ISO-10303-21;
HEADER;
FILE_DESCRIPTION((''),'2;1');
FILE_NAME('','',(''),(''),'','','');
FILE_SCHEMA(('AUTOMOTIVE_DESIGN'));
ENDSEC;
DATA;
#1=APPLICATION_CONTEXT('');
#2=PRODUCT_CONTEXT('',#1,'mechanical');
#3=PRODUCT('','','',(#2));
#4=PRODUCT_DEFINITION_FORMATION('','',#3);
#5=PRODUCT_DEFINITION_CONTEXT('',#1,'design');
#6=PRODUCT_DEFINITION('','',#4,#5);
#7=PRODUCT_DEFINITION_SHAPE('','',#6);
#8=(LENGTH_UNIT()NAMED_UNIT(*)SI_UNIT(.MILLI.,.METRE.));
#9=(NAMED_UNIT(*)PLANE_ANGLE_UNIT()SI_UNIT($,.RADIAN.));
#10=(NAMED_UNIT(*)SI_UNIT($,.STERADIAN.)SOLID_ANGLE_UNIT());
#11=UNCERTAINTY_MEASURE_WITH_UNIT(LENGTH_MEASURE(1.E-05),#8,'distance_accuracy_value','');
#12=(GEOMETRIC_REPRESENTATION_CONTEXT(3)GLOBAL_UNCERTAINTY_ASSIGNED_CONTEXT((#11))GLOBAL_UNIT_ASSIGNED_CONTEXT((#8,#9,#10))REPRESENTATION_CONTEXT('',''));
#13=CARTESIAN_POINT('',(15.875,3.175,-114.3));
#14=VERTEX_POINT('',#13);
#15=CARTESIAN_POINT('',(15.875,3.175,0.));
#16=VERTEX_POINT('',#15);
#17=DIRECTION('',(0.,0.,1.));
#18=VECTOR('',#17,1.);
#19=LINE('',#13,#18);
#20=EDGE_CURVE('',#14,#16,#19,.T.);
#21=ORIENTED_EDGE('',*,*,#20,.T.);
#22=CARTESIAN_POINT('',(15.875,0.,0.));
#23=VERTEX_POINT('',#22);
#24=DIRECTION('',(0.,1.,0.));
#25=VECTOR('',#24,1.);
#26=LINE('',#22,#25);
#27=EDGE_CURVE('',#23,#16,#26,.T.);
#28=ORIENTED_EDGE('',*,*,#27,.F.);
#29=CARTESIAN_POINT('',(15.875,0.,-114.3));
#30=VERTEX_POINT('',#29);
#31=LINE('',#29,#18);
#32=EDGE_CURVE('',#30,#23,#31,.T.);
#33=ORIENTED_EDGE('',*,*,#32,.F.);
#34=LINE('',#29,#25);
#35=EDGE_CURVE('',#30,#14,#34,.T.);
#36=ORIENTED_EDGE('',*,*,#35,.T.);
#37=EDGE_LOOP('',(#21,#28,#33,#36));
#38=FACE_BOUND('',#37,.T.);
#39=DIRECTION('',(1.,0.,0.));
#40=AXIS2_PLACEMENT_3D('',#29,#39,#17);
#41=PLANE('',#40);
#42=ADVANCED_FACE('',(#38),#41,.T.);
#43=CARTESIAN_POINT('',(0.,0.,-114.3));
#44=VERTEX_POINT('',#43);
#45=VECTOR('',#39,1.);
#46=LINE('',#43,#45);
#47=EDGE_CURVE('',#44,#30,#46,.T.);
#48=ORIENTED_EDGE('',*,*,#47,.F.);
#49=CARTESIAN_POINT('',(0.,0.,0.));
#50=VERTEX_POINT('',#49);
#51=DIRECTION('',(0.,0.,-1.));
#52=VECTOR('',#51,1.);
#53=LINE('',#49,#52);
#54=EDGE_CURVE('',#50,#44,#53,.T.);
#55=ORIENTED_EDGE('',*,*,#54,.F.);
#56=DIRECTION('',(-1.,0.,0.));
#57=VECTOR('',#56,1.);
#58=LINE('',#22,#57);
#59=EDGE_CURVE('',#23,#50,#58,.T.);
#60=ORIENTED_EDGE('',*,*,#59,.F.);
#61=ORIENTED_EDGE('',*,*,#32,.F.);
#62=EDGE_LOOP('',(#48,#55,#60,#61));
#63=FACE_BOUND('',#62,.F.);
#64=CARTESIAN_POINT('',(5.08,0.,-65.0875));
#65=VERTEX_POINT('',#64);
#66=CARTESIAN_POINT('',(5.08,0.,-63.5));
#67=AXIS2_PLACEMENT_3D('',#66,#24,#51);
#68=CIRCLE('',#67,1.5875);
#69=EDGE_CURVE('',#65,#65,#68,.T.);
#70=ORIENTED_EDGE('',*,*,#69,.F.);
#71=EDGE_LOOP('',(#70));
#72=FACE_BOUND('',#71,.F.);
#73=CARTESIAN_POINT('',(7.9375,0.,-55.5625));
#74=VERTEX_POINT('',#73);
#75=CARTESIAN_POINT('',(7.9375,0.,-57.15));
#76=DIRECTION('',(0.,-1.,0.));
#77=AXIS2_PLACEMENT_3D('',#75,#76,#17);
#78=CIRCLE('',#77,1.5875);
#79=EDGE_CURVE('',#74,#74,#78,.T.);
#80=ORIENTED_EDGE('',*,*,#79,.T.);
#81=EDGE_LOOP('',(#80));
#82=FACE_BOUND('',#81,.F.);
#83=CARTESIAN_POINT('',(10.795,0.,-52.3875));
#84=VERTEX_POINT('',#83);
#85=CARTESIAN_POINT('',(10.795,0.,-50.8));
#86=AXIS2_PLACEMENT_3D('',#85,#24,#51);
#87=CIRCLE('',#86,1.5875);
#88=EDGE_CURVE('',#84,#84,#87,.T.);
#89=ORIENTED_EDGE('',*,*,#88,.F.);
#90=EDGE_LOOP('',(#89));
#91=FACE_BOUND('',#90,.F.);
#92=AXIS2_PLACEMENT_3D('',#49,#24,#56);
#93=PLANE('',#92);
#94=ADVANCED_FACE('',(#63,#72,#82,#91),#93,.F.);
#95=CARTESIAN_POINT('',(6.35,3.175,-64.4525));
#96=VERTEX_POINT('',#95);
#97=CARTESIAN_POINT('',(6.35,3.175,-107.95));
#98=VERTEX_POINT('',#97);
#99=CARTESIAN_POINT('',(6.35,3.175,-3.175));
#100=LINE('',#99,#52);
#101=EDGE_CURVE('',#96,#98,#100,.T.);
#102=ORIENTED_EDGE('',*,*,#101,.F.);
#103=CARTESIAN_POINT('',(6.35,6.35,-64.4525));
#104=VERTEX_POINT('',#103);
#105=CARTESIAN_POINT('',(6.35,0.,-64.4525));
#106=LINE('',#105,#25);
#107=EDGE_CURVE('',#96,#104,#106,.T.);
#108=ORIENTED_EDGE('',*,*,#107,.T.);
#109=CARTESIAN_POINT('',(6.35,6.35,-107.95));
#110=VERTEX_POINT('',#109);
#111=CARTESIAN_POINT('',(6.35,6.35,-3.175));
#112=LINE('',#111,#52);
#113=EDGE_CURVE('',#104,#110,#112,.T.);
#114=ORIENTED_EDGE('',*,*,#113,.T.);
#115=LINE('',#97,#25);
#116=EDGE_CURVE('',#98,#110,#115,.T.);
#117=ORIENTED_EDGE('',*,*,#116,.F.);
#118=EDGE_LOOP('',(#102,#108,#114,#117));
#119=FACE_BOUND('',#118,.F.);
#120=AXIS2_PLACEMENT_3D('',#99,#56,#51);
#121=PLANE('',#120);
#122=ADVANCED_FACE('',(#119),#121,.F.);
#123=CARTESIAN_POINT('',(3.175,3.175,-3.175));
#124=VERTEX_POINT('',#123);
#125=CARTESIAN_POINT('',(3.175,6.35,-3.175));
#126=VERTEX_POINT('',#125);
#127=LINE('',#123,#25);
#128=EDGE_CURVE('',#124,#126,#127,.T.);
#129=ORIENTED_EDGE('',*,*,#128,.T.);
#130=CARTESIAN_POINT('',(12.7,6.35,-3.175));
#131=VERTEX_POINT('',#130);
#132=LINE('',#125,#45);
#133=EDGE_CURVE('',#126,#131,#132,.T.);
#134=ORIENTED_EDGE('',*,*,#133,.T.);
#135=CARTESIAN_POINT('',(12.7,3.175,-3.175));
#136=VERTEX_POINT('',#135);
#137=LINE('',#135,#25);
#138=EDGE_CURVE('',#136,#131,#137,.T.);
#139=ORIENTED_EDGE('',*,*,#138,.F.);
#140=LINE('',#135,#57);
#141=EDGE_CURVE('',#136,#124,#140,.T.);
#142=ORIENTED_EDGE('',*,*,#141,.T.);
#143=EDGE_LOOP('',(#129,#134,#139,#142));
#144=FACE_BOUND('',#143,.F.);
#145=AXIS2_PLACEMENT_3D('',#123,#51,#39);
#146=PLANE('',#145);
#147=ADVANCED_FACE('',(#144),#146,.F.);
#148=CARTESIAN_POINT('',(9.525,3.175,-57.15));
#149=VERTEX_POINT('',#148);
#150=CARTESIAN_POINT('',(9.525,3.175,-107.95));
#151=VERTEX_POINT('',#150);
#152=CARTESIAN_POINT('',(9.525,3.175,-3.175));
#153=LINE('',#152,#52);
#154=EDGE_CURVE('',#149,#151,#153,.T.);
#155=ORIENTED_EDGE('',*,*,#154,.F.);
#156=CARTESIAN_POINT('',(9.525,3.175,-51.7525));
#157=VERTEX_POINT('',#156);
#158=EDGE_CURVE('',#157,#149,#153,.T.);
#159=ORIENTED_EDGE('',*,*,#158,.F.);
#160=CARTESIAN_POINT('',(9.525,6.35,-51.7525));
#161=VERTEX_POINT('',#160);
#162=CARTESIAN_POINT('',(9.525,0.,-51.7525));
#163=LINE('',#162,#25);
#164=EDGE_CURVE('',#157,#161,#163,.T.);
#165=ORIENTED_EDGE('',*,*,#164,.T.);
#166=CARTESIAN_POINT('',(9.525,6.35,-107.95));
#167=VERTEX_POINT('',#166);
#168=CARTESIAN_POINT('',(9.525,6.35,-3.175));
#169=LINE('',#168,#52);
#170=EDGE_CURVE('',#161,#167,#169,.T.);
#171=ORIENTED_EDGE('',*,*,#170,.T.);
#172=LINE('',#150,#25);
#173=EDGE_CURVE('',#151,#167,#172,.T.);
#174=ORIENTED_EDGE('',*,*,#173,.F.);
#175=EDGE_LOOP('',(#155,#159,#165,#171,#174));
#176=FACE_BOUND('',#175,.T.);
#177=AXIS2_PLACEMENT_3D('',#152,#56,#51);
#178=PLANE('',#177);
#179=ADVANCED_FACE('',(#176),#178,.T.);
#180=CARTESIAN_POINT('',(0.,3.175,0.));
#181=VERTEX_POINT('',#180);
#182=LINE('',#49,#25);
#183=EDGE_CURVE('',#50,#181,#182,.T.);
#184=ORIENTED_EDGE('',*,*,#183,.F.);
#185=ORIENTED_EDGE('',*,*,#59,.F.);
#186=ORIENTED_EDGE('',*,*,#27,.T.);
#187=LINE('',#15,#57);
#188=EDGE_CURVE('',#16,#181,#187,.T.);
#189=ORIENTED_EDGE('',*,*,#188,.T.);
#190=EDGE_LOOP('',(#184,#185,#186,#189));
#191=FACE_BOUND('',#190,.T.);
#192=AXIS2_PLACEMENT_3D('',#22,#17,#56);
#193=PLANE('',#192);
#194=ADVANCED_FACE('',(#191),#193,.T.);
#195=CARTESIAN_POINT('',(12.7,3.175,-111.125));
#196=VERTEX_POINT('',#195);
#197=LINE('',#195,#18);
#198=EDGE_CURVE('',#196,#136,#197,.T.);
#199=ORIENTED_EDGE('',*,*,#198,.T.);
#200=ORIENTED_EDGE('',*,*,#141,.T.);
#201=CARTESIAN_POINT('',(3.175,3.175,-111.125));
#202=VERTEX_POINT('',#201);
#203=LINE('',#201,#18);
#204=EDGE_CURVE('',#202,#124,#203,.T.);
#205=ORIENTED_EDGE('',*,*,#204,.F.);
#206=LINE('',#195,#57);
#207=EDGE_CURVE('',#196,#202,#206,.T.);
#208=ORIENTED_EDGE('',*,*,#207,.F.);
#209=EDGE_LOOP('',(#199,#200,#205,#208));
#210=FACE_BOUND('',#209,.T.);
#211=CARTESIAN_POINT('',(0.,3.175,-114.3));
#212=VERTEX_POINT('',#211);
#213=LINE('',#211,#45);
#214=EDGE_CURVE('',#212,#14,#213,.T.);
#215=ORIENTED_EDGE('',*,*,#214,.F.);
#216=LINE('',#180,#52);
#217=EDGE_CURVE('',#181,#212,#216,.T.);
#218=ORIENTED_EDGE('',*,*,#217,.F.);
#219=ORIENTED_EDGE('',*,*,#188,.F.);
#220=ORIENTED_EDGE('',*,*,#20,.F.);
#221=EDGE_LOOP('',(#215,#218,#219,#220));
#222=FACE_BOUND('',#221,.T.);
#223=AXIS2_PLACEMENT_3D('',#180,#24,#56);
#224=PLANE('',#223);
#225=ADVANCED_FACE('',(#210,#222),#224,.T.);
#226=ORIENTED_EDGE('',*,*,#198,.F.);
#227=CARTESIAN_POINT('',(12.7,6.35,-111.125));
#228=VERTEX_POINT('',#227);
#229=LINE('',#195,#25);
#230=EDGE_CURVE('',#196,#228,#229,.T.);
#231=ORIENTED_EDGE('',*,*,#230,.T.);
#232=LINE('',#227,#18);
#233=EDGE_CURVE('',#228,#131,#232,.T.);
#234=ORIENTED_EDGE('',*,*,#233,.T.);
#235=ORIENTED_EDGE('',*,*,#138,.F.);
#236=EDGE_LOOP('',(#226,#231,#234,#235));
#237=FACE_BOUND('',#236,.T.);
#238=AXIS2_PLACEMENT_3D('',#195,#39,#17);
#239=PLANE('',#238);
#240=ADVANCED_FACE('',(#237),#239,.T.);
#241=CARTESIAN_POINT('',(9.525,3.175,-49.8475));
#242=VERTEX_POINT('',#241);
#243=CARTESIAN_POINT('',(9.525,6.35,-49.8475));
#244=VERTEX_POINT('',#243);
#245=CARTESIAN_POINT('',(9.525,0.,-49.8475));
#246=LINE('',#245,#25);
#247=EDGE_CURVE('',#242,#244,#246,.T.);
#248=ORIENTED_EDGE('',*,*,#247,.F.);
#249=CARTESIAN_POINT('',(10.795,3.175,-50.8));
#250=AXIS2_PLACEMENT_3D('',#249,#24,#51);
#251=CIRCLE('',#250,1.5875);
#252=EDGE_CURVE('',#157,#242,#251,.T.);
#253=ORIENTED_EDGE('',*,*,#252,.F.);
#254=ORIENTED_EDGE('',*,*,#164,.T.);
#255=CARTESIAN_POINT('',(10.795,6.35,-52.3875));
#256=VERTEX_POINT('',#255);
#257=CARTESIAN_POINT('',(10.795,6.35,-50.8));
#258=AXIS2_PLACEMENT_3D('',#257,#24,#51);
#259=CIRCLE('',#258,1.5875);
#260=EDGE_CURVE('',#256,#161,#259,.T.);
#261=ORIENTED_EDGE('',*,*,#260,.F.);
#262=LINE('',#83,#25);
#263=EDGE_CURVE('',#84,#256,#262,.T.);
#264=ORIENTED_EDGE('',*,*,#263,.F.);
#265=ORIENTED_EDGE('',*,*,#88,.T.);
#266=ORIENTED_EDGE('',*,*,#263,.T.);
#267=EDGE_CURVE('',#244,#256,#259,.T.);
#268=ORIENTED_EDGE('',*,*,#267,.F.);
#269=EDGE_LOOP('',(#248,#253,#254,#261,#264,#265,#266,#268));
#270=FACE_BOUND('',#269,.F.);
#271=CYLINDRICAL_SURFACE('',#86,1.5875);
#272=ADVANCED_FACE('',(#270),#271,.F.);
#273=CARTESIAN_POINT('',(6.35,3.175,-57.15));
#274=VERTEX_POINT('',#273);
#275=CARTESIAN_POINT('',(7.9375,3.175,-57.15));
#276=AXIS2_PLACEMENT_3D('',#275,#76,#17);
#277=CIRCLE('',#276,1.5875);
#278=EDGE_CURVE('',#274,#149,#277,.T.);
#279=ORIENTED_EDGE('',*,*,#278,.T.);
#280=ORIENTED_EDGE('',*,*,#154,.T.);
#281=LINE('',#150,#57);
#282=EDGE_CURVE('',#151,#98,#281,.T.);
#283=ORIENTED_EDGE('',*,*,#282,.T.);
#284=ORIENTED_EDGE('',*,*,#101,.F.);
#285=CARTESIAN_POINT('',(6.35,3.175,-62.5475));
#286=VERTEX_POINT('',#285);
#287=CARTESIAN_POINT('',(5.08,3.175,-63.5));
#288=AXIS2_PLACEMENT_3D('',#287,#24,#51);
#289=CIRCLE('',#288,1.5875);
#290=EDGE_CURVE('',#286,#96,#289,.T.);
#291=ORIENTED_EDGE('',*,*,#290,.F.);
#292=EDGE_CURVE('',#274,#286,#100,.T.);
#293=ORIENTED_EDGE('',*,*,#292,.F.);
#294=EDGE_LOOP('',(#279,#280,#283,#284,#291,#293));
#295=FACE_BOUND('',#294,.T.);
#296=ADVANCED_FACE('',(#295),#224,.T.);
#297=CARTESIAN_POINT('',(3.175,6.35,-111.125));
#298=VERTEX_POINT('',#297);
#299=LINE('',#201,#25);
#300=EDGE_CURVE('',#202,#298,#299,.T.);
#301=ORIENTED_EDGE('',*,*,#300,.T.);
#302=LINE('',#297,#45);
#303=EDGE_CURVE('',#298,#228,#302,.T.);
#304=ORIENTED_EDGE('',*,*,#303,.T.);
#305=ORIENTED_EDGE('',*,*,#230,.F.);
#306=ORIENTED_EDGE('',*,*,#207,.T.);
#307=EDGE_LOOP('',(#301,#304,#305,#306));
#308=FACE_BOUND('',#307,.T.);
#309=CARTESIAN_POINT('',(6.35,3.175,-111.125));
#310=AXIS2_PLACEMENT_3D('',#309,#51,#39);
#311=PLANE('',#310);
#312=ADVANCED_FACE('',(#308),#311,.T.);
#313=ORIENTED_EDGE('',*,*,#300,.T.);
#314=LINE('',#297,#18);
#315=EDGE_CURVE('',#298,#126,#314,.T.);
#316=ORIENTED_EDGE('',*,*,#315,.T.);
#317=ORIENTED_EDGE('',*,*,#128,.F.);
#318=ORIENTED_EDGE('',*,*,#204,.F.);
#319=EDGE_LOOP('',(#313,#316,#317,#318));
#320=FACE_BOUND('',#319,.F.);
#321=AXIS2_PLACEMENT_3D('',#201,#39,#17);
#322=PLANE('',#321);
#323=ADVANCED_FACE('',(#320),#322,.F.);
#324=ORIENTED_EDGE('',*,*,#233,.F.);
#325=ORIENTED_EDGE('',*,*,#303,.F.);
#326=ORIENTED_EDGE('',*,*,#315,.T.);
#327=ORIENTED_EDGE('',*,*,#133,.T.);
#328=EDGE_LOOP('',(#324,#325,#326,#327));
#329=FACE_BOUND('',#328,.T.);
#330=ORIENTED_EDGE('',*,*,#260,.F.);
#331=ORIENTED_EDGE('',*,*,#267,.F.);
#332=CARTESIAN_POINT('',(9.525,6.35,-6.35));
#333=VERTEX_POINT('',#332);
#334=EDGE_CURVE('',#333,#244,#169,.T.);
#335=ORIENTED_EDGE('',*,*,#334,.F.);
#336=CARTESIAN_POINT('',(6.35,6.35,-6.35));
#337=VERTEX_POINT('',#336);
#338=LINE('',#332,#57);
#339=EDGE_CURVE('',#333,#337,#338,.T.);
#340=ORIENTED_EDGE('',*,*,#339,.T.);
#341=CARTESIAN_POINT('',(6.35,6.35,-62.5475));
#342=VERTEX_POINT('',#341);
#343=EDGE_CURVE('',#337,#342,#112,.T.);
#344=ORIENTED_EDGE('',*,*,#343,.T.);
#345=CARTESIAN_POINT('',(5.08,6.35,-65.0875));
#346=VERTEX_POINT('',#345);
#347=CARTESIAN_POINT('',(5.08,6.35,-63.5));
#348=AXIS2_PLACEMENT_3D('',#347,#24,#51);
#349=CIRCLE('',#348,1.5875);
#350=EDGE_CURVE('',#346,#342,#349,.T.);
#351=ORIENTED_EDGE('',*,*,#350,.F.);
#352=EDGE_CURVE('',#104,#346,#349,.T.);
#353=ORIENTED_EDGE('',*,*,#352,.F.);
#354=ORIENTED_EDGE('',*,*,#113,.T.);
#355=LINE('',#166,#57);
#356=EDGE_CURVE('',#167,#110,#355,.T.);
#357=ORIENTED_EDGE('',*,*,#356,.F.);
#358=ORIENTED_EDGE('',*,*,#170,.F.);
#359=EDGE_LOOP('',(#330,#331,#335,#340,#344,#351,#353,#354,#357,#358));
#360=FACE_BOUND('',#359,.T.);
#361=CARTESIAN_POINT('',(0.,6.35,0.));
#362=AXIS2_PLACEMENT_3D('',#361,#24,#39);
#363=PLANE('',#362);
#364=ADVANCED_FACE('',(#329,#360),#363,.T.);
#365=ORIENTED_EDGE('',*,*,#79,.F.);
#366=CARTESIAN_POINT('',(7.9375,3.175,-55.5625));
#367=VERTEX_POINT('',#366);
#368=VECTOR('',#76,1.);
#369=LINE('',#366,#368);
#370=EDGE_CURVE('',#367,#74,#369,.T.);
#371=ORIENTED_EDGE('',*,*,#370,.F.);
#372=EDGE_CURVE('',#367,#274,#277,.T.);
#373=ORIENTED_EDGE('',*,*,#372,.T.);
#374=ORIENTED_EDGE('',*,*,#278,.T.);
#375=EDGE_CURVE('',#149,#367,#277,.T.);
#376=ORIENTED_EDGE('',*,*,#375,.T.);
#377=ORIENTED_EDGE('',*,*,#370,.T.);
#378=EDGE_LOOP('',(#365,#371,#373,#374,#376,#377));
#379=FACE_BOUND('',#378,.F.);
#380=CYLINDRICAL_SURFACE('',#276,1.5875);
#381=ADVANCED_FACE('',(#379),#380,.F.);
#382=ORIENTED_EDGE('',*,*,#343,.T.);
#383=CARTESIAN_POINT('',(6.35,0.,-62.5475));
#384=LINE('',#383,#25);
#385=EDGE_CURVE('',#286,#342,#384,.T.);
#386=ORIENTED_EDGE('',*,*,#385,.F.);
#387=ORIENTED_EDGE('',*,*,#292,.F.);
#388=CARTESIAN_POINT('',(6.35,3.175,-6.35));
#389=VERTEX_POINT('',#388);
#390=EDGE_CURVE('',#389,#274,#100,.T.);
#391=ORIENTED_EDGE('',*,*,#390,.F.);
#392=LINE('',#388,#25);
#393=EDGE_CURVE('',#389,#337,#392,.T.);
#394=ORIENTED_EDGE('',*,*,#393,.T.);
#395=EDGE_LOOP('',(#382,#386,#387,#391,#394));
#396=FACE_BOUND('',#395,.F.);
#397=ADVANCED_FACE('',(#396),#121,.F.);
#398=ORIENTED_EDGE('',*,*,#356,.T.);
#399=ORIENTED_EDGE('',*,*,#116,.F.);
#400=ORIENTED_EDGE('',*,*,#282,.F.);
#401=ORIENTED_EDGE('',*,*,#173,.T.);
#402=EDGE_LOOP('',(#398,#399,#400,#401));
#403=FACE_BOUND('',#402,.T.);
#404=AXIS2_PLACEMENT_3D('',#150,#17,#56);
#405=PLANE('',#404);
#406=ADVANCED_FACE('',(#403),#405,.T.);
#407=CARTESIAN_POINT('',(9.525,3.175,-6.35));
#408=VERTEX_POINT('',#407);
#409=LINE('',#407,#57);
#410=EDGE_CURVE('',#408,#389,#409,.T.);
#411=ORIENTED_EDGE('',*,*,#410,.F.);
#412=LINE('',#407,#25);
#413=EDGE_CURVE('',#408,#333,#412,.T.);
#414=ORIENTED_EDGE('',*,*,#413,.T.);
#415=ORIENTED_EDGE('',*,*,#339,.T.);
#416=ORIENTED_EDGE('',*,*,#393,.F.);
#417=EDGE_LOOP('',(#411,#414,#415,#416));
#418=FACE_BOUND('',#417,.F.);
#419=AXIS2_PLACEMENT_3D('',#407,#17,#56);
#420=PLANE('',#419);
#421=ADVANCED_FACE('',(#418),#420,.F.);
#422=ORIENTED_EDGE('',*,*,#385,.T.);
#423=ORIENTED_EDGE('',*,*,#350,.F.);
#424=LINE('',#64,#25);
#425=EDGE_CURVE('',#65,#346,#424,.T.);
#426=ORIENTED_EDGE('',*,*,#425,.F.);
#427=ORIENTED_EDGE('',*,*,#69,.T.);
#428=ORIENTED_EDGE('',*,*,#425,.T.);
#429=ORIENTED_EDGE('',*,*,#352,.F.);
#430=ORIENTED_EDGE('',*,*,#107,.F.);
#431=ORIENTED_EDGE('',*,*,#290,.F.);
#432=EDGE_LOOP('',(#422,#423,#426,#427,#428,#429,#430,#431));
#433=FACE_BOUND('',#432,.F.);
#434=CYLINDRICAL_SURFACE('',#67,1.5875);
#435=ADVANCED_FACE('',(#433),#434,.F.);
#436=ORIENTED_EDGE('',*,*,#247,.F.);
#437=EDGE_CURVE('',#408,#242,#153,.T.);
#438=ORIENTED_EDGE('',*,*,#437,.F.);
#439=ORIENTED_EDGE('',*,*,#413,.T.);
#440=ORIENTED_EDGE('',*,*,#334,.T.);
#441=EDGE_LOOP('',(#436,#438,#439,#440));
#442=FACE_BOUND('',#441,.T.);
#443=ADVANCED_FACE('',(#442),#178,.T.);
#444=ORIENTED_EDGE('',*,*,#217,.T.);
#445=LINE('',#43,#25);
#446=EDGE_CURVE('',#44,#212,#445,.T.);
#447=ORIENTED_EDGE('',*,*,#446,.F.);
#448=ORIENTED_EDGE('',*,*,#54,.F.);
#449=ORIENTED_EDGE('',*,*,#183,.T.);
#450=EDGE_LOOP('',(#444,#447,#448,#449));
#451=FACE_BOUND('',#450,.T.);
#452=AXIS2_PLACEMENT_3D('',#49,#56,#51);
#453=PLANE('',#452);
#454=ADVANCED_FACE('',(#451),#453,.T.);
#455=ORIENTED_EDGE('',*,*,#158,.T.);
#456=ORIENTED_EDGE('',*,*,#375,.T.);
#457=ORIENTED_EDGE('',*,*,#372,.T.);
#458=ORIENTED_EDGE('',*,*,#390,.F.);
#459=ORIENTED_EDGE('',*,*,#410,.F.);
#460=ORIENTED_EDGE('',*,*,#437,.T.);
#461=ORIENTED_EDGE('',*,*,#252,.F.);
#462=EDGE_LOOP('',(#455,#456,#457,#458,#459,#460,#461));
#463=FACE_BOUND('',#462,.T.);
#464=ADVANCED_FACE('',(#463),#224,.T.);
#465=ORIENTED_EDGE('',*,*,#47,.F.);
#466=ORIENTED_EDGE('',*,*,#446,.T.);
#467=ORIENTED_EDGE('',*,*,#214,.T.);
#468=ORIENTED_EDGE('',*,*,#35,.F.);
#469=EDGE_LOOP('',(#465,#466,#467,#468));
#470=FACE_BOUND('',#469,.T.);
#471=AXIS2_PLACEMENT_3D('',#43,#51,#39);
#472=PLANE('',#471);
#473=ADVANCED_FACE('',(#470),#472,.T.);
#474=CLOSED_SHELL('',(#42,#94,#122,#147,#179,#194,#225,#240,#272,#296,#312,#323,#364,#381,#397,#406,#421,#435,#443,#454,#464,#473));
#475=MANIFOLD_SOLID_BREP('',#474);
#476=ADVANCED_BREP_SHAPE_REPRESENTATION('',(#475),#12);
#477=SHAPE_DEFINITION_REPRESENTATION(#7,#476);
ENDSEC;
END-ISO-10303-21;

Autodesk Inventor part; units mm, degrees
ref_plane "YZ Plane" through (0, 0, 0) normal (1, 0, 0) x (0, 1, 0)
ref_plane "XZ Plane" through (0, 0, 0) normal (0, 1, 0) x (-1, 0, 0)
ref_plane "XY Plane" through (0, 0, 0) normal (0, 0, 1) x (1, 0, 0)
sketch "Sketch1" plane through (0, 0, 0) normal (0, 1, 0) x (-1, 0, 0)
  line L0 (0, 0) -> (0, -114.3)
  line L1 (0, -114.3) -> (-15.875, -114.3)
  line L2 (-15.875, -114.3) -> (-15.875, 0)
  line L3 (-15.875, 0) -> (0, 0)
  dimension "d0" = 114.3
  dimension "d1" = 15.875
extrude "Extrusion1" add sketch "Sketch1" along normal blind 3.175
sketch "Sketch2" plane through (0, 3.175, 0) normal (0, 1, 0) x (1, 0, 0)
  line L0 (0, 0) -> (3.175, 0)
  line L1 (0, 0) -> (15.875, 0) projected
  line L2 (3.175, 0) -> (3.175, 3.175)
  line L3 (3.175, 3.175) -> (6.35, 3.175)
  line L4 (6.35, 3.175) -> (6.35, 111.125)
  line L5 (6.35, 111.125) -> (3.175, 111.125)
  line L6 (3.175, 111.125) -> (3.175, 3.175)
  line L7 (15.875, 0) -> (15.875, 114.3) projected
  dimension "d4" = 3.175
  dimension "d5" = 3.175
  dimension "d6" = 3.175
  dimension "d7" = 107.95
extrude "Extrusion2" add sketch "Sketch2" along normal blind 3.175
sketch "Sketch3" plane through (0, 3.175, 0) normal (0, 1, 0) x (1, 0, 0)
  line L0 (15.875, 0) -> (15.875, 114.3) projected
  line L1 (15.875, 0) -> (12.7, 0)
  line L2 (0, 0) -> (15.875, 0) projected
  line L3 (12.7, 0) -> (12.7, 3.175)
  line L4 (12.7, 3.175) -> (9.525, 3.175)
  line L5 (9.525, 3.175) -> (9.525, 111.125)
  line L6 (9.525, 111.125) -> (12.7, 111.125)
  line L7 (12.7, 111.125) -> (12.7, 3.175)
  dimension "d10" = 3.175
  dimension "d11" = 3.175
  dimension "d12" = 3.175
  dimension "d13" = 107.95
extrude "Extrusion3" add sketch "Sketch3" along normal blind 3.175
sketch "Sketch4" plane through (0, 3.175, 0) normal (0, 1, 0) x (1, 0, 0)
  line L0 (6.35, 3.175) -> (3.175, 3.175) projected
  line L1 (6.35, 3.175) -> (9.525, 3.175)
  line L2 (9.525, 3.175) -> (9.525, 6.35)
  line L3 (9.525, 6.35) -> (6.35, 6.35)
  line L4 (6.35, 6.35) -> (6.35, 3.175)
  point P0 (0, 0)
  dimension "d16" = 3.175
  dimension "d17" = 3.175
extrude "Extrusion4" add sketch "Sketch4" along normal blind 3.175
sketch "Sketch5" plane through (0, 3.175, 0) normal (0, 1, 0) x (1, 0, 0)
  line L0 (6.35, 6.35) -> (6.35, 111.125) projected
  line L1 (6.35, 111.125) -> (9.525, 111.125)
  line L2 (9.525, 111.125) -> (9.525, 107.95)
  line L3 (9.525, 107.95) -> (6.35, 107.95)
  line L4 (6.35, 107.95) -> (6.35, 111.125)
  point P0 (0, 0)
  dimension "d20" = 3.175
  dimension "d21" = 3.175
extrude "Extrusion5" add sketch "Sketch5" along normal blind 3.175
sketch "Sketch6" plane through (0, 3.175, 0) normal (0, 1, 0) x (1, 0, 0)
  line L0 (0, 0) -> (7.9375, 0)
  line L1 (0, 0) -> (15.875, 0) projected
  line L2 (7.9375, 0) -> (7.9375, 57.15)
  dimension "d24" = 7.9375
  dimension "d25" = 57.15
hole "Hole1" at (7.9375, 3.175, -57.15) direction (0, -1, 0) diameter 3.175 end through all
sketch "Sketch10" plane through (0, 0, 0) normal (0, -1, 0) x (1, 0, 0)
  line L0 (15.875, 0) -> (15.875, -114.3) projected
  line L1 (15.875, 0) -> (15.875, -50.8)
  line L2 (15.875, -50.8) -> (10.795, -50.8)
  point P0 (0, 0)
  dimension "d46" = 50.8
  dimension "d47" = 5.08
hole "Hole3" at (10.795, 0, -50.8) direction (0, 1, 0) diameter 3.175 end through all
sketch "Sketch11" plane through (0, 0, 0) normal (0, -1, 0) x (1, 0, 0)
  line L0 (0, 0) -> (0, -63.5)
  line L1 (0, -114.3) -> (0, 0) projected
  line L2 (0, -63.5) -> (5.08, -63.5)
  dimension "d55" = 63.5
  dimension "d56" = 5.08
hole "Hole4" at (5.08, 0, -63.5) direction (0, 1, 0) diameter 3.175 end through all
properties part number "single_cell_top_case"
